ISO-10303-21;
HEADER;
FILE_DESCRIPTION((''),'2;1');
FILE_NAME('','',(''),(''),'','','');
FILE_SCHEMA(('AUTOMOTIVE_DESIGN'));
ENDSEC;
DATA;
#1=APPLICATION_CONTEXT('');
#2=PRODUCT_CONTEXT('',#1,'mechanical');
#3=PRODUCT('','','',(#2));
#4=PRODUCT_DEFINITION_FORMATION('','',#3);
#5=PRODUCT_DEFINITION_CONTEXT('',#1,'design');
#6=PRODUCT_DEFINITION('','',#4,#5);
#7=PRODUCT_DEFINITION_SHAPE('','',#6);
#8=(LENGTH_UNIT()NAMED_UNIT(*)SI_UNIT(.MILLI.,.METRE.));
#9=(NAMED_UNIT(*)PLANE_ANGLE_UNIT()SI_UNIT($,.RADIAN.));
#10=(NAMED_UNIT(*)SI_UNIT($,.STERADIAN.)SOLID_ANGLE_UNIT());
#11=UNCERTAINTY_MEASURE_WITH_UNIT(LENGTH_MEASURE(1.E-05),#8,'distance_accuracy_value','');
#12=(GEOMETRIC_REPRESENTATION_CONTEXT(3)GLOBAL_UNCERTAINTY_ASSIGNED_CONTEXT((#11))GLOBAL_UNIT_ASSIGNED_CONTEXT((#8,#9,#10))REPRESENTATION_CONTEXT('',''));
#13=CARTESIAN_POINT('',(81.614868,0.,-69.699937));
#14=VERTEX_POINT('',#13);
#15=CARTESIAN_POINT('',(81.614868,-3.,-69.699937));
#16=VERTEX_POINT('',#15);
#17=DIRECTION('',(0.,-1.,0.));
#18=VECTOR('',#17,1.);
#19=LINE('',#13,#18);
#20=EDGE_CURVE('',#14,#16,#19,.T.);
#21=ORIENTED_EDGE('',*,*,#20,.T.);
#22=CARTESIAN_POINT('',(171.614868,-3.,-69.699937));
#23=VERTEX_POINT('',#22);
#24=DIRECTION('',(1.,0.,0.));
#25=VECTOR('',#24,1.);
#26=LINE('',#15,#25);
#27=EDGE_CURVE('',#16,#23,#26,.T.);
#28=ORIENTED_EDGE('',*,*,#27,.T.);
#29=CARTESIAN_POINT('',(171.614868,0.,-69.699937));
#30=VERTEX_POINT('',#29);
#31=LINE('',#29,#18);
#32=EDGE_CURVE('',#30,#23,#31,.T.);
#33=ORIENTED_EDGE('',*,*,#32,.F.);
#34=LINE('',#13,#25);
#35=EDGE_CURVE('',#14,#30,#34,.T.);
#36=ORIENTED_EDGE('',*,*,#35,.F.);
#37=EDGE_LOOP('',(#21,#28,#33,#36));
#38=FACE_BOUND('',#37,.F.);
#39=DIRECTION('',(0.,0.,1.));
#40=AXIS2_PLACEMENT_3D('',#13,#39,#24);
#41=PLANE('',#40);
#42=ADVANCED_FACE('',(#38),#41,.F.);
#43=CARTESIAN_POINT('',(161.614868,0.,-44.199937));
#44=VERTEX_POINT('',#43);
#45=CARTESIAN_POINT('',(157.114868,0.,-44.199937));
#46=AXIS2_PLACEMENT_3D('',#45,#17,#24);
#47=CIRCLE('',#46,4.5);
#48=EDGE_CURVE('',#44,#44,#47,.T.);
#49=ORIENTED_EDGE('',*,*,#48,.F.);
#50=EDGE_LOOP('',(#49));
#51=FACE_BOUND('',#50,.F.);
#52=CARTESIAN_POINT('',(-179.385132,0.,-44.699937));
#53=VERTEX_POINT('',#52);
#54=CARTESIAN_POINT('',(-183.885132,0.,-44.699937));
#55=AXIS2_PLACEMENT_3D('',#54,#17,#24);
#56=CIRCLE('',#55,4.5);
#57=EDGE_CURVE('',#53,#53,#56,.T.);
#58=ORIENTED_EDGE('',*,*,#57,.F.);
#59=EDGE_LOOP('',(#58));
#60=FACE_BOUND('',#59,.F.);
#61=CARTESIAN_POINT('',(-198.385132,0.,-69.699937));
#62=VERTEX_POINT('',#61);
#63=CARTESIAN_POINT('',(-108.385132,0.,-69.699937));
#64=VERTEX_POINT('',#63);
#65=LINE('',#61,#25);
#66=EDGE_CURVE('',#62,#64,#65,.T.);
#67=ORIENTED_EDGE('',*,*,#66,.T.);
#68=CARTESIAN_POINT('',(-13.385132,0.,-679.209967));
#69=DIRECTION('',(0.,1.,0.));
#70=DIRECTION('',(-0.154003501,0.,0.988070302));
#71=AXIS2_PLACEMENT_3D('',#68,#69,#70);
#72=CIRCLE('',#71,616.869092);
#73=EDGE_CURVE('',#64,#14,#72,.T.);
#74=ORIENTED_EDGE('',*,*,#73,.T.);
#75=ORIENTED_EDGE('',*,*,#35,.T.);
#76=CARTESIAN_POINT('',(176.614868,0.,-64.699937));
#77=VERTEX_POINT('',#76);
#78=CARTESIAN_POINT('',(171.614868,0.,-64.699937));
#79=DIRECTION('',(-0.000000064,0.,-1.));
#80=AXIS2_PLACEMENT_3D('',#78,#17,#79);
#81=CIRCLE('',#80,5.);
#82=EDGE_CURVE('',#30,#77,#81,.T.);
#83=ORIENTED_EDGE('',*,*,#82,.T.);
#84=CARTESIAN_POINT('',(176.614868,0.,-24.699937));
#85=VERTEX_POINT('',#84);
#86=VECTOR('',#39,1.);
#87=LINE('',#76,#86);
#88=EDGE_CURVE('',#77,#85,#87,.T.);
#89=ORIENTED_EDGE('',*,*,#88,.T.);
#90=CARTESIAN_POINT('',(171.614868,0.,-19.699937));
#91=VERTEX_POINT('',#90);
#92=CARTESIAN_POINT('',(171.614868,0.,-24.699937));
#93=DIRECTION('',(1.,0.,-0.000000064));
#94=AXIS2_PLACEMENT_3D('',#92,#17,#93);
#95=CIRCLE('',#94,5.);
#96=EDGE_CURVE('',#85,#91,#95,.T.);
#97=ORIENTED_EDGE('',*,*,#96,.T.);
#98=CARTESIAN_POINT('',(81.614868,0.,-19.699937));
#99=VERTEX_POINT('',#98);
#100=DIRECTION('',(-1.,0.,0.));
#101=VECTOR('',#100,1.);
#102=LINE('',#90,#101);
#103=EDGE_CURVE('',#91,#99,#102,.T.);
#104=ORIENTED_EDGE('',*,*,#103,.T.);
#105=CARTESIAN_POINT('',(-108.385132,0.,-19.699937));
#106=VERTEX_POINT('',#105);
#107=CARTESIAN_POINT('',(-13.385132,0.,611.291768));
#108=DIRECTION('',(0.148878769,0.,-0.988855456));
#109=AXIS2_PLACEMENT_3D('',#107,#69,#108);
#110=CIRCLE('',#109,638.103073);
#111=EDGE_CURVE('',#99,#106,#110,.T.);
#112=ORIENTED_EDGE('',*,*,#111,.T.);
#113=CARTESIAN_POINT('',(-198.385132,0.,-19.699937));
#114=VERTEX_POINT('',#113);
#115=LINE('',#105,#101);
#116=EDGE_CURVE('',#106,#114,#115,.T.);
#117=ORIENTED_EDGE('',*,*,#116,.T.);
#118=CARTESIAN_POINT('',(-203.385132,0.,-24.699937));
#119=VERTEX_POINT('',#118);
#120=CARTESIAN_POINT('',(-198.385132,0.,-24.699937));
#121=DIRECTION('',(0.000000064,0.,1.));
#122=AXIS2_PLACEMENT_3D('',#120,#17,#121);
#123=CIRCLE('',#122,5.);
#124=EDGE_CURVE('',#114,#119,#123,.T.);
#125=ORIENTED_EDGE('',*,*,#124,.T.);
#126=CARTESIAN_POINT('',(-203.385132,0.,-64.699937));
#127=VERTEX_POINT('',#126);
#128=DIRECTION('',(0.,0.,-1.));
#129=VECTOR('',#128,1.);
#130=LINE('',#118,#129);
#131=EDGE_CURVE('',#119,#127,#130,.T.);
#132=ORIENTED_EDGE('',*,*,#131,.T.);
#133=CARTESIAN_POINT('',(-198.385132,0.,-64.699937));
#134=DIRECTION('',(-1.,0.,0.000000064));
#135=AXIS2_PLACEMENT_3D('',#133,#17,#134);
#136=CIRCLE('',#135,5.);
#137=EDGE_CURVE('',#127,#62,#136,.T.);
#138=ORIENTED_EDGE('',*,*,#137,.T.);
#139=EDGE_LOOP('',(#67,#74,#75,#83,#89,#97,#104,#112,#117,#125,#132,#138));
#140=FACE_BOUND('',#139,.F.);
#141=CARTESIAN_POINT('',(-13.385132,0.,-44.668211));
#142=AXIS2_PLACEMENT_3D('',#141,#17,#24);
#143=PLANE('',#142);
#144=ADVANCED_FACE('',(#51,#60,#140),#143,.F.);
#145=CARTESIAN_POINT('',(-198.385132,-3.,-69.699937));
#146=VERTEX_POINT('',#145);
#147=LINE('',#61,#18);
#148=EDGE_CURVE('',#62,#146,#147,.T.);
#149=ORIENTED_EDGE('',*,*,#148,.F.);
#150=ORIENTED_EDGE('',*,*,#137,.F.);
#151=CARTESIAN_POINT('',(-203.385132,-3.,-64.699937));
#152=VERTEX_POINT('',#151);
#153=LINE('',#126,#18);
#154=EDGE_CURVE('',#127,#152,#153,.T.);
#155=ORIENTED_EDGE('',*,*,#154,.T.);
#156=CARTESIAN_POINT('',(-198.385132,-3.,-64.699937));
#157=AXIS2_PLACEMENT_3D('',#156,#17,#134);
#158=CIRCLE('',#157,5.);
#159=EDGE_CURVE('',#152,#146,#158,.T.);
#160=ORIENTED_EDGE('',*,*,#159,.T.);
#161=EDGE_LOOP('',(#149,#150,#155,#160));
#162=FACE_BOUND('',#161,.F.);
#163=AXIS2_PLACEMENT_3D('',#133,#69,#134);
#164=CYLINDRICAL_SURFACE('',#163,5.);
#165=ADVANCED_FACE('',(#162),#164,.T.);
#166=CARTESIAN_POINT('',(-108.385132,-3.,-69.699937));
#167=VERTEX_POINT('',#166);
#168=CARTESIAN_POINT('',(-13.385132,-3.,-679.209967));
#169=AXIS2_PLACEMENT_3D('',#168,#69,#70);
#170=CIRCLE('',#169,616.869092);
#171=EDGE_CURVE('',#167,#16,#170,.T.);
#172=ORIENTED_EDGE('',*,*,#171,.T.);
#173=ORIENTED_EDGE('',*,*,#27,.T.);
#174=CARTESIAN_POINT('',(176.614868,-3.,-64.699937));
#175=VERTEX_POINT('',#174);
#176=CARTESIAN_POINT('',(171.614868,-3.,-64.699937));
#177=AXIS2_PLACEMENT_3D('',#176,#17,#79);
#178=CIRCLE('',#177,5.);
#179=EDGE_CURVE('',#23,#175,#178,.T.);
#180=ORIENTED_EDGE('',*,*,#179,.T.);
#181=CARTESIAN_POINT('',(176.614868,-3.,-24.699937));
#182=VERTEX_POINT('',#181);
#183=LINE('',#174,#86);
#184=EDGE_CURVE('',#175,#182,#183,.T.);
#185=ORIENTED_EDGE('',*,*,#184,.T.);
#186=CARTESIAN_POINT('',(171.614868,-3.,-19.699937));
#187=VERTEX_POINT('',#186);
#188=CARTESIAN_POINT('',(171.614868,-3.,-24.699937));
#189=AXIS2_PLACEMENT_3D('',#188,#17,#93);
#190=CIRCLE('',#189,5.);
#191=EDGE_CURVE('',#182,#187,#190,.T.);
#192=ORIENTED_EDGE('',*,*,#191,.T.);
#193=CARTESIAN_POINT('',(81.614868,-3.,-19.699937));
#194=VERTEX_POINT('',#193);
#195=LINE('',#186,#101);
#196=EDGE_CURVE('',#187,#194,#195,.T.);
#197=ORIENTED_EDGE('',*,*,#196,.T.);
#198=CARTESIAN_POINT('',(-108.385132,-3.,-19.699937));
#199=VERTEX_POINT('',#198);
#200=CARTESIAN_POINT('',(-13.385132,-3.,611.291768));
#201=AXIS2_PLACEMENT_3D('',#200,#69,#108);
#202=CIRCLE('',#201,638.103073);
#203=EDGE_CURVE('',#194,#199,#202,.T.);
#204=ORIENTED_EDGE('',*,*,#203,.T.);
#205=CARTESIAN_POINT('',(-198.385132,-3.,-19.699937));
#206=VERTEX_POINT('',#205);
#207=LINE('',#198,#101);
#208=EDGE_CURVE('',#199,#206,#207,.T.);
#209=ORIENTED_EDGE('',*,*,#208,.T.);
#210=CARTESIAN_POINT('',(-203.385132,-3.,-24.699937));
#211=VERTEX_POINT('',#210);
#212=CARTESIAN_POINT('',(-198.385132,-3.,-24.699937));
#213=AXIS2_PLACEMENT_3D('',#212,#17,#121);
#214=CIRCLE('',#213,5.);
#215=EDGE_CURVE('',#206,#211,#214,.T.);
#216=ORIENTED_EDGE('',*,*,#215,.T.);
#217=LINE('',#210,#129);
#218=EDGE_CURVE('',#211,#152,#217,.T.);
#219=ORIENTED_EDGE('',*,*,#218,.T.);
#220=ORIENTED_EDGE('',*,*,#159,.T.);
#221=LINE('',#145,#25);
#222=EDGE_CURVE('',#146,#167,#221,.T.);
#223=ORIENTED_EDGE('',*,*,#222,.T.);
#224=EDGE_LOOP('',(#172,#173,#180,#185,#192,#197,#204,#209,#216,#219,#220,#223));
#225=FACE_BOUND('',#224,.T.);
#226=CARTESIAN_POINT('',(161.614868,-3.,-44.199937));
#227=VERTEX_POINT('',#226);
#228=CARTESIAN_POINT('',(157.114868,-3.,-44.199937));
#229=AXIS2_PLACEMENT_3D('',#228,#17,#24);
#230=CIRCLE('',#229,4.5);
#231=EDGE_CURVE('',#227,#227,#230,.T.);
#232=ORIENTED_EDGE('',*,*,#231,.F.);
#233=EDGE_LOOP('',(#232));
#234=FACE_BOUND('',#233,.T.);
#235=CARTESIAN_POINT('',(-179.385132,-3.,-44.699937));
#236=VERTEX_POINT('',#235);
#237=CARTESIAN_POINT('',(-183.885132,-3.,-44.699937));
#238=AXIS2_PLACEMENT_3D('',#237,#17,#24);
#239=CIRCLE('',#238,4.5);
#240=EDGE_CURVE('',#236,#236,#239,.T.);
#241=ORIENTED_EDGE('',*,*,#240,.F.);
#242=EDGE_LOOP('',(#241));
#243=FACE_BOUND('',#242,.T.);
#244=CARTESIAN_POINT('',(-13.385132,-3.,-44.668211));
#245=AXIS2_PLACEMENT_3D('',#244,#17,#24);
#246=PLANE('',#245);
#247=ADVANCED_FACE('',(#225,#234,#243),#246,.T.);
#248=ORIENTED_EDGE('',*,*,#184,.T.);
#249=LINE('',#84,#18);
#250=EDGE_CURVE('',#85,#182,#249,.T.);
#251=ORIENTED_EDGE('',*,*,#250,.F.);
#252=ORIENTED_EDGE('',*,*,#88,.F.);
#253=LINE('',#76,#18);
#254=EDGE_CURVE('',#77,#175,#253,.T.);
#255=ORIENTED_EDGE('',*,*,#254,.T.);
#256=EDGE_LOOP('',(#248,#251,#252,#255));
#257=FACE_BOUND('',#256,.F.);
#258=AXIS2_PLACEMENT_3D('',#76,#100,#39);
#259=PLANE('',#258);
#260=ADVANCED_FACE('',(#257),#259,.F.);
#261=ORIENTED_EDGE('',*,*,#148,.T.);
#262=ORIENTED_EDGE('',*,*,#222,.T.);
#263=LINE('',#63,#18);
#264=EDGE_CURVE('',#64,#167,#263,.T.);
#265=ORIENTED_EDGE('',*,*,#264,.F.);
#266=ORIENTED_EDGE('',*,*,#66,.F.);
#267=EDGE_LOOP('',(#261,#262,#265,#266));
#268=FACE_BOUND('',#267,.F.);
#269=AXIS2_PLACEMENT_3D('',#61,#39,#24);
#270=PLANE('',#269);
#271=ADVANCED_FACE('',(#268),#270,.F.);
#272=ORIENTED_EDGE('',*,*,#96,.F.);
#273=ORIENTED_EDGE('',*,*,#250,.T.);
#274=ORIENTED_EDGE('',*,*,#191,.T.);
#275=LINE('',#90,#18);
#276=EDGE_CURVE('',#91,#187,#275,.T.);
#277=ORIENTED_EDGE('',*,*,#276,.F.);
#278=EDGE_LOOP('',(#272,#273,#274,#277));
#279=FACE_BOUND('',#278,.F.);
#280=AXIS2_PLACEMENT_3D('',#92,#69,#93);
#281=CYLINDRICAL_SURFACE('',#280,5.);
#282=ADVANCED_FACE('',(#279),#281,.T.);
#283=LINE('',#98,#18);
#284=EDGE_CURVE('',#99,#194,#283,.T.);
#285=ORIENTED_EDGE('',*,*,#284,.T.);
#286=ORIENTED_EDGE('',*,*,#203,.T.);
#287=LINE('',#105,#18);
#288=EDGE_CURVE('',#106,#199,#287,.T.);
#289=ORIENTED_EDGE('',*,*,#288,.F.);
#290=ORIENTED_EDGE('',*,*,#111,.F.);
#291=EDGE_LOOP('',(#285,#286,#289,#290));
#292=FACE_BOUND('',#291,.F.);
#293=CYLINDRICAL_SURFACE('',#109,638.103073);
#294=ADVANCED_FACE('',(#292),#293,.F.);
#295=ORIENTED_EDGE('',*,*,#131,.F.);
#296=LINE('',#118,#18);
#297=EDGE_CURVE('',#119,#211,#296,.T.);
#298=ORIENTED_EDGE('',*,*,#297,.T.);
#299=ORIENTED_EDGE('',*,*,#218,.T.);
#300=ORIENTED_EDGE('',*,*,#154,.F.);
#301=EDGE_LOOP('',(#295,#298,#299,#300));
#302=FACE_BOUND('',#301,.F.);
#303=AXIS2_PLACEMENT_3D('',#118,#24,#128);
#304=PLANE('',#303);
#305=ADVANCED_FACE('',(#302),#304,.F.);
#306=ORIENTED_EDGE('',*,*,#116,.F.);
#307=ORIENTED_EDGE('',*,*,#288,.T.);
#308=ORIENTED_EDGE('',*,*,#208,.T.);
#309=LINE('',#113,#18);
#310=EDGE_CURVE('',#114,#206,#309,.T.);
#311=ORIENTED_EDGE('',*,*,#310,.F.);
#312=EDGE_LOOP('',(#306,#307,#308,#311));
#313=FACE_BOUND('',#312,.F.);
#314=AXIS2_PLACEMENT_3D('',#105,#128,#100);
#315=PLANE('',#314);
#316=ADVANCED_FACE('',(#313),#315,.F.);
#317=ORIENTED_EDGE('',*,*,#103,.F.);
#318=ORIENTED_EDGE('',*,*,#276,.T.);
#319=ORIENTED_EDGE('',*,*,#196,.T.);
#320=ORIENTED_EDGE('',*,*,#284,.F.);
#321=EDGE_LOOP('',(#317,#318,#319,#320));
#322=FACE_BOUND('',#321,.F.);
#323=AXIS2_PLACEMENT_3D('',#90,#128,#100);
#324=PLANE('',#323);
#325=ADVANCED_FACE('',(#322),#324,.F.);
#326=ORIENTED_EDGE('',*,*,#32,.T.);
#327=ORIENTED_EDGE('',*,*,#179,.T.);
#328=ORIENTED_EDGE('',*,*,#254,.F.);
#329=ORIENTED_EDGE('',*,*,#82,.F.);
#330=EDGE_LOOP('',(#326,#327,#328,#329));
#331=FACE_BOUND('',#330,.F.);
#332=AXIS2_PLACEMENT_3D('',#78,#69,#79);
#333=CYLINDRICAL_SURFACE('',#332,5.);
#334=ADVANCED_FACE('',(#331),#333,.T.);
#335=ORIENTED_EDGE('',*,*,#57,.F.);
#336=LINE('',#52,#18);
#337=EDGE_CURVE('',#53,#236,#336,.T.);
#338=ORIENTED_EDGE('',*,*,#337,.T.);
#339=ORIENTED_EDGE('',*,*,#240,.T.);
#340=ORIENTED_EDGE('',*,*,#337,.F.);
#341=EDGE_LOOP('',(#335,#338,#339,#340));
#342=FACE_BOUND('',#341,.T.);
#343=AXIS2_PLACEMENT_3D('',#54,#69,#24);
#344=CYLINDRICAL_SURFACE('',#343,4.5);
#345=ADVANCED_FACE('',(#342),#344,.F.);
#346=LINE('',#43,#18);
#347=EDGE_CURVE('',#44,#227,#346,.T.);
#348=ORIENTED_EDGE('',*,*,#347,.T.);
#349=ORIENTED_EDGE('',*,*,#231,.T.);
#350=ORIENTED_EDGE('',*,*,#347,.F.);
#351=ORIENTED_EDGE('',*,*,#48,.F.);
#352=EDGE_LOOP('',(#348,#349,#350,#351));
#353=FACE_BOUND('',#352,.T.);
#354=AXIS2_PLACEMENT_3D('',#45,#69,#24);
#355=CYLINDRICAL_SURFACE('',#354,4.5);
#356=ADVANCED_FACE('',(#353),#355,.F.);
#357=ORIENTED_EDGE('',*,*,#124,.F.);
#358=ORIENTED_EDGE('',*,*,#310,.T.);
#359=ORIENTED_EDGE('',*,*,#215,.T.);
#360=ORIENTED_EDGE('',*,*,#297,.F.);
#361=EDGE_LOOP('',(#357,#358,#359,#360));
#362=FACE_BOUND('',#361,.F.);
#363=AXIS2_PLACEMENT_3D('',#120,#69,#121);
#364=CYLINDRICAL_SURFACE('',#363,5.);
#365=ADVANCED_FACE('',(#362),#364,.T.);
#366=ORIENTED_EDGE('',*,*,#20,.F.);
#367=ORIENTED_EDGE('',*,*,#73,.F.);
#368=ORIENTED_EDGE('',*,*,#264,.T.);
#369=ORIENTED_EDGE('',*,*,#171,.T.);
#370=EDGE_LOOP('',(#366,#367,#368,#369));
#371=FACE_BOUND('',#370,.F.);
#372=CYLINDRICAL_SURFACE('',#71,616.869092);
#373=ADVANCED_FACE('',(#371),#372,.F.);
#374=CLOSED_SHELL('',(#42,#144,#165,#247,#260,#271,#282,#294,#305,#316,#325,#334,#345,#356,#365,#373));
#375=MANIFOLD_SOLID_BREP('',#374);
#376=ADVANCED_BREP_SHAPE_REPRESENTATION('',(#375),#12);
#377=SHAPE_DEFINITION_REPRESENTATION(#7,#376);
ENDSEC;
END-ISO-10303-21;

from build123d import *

# Parameters (mm, degrees)
F0_R     = 4.5
F1_DEPTH = 3


with BuildPart() as f1:
    # F0 (on Front) → F1 (new body)
    with BuildSketch(Plane.XZ):
        with BuildLine():
            Line((-108.385132, -19.699937), (-198.385132, -19.699937))
            ThreePointArc((-198.385132, -19.699937), (-201.920666, -21.164403), (-203.385132, -24.699937))
            Line((-203.385132, -24.699937), (-203.385132, -64.699937))
            ThreePointArc((-203.385132, -64.699937), (-201.920666, -68.235471), (-198.385132, -69.699937))
            Line((-198.385132, -69.699937), (-108.385132, -69.699937))
            ThreePointArc((-108.385132, -69.699937), (-13.385132, -62.340875), (81.614868, -69.699937))
            Line((81.614868, -69.699937), (171.614868, -69.699937))
            ThreePointArc((171.614868, -69.699937), (175.150402, -68.235471), (176.614868, -64.699937))
            Line((176.614868, -64.699937), (176.614868, -24.699937))
            ThreePointArc((176.614868, -24.699937), (175.150402, -21.164403), (171.614868, -19.699937))
            Line((171.614868, -19.699937), (81.614868, -19.699937))
            ThreePointArc((81.614868, -19.699937), (-13.385132, -26.811305), (-108.385132, -19.699937))
        make_face()
        with Locations((-183.885132, -44.699937)):
            Circle(F0_R, mode=Mode.SUBTRACT)
        with Locations((157.114868, -44.199937)):
            Circle(F0_R, mode=Mode.SUBTRACT)
    extrude(amount=F1_DEPTH)


solid = f1.part
